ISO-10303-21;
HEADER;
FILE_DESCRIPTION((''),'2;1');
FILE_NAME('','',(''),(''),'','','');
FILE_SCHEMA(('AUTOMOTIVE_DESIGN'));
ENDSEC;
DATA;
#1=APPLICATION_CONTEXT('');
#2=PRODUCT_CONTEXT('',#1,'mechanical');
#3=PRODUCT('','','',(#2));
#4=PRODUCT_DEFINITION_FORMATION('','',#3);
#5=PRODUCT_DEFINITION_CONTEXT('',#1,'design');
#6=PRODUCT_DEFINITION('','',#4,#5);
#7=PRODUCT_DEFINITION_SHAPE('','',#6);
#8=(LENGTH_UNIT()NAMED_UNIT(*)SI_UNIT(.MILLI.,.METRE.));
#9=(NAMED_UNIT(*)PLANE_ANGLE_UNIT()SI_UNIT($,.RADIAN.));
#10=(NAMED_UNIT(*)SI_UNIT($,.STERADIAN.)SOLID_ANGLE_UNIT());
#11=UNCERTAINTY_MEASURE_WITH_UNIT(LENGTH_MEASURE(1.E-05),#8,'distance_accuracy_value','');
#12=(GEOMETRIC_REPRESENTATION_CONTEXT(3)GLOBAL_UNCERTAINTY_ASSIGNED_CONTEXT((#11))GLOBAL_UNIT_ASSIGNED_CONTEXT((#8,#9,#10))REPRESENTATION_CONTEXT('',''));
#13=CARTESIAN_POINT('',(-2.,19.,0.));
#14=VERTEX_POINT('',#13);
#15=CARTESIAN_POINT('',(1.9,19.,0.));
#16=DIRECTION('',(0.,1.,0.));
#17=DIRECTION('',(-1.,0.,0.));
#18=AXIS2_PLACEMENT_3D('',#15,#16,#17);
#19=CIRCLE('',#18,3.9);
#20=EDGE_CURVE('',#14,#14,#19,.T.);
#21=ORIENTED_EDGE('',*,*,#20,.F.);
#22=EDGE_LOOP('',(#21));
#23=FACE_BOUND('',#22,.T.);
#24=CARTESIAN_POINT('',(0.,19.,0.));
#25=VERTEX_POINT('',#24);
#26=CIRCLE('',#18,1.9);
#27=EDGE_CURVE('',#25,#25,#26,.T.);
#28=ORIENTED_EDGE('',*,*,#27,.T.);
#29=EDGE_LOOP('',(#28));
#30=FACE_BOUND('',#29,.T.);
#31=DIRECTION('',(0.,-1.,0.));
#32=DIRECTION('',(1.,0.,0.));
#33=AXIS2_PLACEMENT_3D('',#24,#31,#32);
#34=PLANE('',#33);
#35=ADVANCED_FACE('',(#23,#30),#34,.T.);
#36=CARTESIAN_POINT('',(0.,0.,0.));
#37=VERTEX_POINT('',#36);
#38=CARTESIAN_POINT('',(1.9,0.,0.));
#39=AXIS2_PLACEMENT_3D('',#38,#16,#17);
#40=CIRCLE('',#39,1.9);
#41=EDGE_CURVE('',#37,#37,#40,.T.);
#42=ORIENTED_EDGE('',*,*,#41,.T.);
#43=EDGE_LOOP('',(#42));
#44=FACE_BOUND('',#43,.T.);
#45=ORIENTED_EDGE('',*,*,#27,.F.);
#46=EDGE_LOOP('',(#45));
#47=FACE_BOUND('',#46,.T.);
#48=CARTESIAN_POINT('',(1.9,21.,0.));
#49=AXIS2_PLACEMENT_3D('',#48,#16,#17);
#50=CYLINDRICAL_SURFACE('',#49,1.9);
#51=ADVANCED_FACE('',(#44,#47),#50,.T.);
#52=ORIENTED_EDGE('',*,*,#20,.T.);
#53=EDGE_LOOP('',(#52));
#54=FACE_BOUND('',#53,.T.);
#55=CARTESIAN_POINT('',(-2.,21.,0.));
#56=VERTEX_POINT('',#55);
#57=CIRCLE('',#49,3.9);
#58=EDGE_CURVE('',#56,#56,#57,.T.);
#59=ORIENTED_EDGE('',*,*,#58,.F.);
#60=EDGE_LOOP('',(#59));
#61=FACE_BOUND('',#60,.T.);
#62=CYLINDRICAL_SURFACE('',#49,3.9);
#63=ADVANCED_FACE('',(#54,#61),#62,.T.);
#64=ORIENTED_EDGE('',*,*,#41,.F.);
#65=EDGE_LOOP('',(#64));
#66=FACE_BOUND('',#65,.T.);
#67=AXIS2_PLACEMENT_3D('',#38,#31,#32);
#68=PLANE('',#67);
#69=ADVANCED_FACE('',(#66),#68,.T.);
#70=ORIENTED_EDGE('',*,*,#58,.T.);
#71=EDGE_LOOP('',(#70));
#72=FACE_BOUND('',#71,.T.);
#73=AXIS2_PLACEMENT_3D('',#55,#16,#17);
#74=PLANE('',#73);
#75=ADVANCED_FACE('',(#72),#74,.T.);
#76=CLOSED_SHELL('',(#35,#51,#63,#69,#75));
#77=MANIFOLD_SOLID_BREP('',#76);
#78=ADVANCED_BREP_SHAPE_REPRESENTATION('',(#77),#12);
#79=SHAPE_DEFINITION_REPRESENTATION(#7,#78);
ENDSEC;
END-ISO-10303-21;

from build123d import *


with BuildPart() as part:
    # Sketch2 → Revolve1 (revolve)
    with BuildSketch(Plane.XY):
        Polygon((0, 0), (0, 19), (-2, 19), (-2, 21), (1.9, 21), (1.9, 0), align=None)
    revolve(axis=Axis((1.9, 21, 0), (0, -1, 0)))


solid = part.part
